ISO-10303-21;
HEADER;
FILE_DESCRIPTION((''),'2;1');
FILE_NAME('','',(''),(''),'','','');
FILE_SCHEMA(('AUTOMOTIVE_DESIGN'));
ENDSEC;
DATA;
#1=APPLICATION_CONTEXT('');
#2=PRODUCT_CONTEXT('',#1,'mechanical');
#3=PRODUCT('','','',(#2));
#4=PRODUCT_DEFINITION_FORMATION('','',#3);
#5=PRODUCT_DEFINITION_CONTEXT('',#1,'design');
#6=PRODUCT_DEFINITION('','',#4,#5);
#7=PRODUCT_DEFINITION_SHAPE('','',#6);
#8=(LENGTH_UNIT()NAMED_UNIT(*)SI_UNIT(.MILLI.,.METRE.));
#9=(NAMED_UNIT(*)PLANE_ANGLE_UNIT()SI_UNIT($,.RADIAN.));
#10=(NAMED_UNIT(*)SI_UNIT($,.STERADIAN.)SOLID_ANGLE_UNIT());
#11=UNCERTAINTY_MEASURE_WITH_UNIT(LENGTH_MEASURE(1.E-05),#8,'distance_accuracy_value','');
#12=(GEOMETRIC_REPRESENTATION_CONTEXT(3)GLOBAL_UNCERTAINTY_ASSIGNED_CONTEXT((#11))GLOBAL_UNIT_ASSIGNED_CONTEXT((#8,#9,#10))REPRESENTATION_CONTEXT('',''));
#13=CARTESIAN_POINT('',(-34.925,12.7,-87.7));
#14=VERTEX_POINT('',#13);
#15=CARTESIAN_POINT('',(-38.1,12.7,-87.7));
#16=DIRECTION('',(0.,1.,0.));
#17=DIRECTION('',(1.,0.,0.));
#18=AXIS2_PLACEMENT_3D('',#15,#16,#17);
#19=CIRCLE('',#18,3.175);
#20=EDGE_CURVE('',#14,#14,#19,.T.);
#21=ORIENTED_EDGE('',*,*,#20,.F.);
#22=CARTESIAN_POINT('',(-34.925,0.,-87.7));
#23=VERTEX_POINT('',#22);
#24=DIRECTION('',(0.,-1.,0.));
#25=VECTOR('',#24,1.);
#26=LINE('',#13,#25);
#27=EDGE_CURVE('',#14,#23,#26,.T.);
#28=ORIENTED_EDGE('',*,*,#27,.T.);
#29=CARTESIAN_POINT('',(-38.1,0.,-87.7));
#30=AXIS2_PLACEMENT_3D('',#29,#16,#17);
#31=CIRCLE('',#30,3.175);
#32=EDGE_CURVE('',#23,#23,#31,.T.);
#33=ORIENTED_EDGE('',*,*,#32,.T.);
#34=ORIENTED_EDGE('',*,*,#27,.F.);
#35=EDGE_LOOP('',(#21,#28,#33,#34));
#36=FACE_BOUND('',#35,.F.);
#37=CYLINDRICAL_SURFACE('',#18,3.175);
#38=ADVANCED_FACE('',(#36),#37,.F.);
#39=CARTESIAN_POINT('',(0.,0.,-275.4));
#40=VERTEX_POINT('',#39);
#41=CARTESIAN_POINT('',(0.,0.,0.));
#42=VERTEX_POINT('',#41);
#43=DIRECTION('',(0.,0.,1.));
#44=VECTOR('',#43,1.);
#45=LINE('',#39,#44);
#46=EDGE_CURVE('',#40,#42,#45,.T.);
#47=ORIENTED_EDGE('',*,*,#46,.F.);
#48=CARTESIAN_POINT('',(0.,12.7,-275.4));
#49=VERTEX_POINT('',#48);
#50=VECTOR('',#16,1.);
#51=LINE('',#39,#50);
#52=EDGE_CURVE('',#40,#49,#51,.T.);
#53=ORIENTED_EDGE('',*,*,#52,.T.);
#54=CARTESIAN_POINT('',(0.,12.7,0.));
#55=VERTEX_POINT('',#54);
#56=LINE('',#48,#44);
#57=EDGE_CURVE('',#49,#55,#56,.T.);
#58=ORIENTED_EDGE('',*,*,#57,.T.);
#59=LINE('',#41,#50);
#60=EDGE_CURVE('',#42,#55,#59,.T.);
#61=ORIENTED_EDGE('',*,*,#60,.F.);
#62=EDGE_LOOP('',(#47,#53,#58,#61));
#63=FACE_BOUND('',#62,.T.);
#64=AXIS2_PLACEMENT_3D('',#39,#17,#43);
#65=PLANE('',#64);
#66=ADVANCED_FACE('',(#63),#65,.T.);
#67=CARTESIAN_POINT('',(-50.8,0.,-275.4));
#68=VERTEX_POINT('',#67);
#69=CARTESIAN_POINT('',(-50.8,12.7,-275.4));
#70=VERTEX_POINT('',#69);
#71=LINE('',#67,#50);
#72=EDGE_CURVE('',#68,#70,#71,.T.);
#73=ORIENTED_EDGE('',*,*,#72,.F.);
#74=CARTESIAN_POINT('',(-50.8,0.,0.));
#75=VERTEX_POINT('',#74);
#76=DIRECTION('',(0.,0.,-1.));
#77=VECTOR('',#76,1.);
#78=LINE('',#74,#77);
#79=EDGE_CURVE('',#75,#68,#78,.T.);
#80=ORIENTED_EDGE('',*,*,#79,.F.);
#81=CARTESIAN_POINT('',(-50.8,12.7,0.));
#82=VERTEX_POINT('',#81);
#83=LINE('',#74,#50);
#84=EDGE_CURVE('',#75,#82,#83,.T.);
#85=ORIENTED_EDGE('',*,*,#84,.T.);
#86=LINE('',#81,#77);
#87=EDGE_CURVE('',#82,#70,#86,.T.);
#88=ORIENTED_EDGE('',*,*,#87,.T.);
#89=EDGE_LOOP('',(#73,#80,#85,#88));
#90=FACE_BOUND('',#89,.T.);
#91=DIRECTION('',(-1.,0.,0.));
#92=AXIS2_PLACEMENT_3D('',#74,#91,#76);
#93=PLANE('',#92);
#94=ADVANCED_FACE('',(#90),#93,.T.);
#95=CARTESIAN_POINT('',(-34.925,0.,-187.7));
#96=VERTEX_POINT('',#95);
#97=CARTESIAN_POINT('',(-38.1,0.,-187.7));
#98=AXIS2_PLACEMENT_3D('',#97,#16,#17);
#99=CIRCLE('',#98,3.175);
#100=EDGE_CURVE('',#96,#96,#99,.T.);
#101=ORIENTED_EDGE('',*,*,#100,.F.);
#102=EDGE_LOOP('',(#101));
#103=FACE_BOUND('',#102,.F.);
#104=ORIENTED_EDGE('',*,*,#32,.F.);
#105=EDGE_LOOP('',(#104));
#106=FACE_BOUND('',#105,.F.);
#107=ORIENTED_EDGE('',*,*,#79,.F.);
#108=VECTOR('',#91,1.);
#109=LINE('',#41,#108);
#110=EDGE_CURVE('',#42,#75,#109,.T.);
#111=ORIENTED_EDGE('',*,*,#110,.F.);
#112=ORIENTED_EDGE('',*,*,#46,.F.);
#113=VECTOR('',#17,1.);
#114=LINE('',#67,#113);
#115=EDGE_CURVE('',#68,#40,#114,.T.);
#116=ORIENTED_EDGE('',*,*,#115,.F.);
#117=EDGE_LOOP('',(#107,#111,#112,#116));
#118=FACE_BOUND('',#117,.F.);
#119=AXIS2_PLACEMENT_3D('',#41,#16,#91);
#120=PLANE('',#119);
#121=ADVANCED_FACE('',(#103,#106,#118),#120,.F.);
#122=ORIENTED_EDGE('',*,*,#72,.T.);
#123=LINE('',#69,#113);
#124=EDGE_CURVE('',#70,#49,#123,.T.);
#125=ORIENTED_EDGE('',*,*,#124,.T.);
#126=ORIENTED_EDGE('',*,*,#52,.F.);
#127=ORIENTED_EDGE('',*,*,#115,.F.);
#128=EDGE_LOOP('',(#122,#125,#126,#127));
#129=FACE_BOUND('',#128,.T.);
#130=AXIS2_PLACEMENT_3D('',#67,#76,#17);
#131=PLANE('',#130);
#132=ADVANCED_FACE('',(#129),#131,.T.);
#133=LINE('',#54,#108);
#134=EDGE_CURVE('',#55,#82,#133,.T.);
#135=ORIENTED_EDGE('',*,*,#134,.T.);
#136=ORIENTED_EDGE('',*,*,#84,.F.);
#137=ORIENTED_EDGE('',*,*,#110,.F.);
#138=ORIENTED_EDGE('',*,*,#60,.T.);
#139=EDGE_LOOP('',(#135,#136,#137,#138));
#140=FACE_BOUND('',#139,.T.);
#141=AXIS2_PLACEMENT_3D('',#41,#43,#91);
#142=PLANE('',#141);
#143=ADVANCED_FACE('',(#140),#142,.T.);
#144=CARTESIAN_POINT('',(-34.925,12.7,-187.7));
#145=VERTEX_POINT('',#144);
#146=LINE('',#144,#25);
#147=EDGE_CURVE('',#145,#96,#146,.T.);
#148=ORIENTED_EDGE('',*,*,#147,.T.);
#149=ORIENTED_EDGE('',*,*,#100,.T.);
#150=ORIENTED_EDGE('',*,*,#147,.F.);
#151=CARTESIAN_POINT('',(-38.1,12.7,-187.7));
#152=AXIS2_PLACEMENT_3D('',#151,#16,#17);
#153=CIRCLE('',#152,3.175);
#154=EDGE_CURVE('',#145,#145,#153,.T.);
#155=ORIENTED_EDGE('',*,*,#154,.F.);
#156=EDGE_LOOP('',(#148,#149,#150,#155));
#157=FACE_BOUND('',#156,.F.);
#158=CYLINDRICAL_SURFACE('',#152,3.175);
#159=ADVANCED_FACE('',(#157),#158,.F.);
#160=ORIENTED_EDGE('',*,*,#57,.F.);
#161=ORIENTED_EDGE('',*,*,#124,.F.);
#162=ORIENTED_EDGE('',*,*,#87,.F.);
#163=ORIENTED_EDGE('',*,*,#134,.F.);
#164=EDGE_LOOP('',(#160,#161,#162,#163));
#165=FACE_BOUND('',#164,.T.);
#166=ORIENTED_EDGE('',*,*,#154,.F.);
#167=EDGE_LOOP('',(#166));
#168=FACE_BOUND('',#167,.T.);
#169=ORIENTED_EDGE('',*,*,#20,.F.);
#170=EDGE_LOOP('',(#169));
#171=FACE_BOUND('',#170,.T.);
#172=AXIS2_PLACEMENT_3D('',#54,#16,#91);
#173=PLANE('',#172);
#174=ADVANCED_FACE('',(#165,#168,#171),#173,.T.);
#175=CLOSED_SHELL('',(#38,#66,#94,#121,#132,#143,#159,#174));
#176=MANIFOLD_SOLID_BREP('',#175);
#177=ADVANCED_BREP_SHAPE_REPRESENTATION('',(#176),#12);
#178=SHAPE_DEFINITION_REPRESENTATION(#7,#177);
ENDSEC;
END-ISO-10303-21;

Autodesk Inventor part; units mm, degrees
ref_plane "YZ Plane" through (0, 0, 0) normal (1, 0, 0) x (0, 1, 0)
ref_plane "XZ Plane" through (0, 0, 0) normal (0, 1, 0) x (-1, 0, 0)
ref_plane "XY Plane" through (0, 0, 0) normal (0, 0, 1) x (1, 0, 0)
sketch "Sketch1" plane through (0, 0, 0) normal (0, 1, 0) x (-1, 0, 0)
  line L0 (0, 0) -> (50.8, 0)
  line L1 (50.8, 0) -> (50.8, -275.4)
  line L2 (50.8, -275.4) -> (0, -275.4)
  line L3 (0, -275.4) -> (0, 0)
  dimension "d0" = 50.8
  dimension "d1" = 275.4
extrude "Extrusion1" add sketch "Sketch1" along normal blind 12.7
sketch "Sketch2" plane through (0, 12.7, 0) normal (0, 1, 0) x (1, 0, 0)
  circle A0 centre (-38.1, 87.7) radius 3.175
  circle A1 centre (-38.1, 187.7) radius 3.175
  line L0 (-50.8, 0) -> (0, 0) projected
  line L1 (0, 0) -> (0, 275.4) projected
  dimension "d4" = 87.7
  dimension "d5" = 100
  dimension "d6" = 6.35
  dimension "d7" = 38.1
extrude "Extrusion2" cut sketch "Sketch2" against normal blind 12.7
properties part number "Wood-8"
